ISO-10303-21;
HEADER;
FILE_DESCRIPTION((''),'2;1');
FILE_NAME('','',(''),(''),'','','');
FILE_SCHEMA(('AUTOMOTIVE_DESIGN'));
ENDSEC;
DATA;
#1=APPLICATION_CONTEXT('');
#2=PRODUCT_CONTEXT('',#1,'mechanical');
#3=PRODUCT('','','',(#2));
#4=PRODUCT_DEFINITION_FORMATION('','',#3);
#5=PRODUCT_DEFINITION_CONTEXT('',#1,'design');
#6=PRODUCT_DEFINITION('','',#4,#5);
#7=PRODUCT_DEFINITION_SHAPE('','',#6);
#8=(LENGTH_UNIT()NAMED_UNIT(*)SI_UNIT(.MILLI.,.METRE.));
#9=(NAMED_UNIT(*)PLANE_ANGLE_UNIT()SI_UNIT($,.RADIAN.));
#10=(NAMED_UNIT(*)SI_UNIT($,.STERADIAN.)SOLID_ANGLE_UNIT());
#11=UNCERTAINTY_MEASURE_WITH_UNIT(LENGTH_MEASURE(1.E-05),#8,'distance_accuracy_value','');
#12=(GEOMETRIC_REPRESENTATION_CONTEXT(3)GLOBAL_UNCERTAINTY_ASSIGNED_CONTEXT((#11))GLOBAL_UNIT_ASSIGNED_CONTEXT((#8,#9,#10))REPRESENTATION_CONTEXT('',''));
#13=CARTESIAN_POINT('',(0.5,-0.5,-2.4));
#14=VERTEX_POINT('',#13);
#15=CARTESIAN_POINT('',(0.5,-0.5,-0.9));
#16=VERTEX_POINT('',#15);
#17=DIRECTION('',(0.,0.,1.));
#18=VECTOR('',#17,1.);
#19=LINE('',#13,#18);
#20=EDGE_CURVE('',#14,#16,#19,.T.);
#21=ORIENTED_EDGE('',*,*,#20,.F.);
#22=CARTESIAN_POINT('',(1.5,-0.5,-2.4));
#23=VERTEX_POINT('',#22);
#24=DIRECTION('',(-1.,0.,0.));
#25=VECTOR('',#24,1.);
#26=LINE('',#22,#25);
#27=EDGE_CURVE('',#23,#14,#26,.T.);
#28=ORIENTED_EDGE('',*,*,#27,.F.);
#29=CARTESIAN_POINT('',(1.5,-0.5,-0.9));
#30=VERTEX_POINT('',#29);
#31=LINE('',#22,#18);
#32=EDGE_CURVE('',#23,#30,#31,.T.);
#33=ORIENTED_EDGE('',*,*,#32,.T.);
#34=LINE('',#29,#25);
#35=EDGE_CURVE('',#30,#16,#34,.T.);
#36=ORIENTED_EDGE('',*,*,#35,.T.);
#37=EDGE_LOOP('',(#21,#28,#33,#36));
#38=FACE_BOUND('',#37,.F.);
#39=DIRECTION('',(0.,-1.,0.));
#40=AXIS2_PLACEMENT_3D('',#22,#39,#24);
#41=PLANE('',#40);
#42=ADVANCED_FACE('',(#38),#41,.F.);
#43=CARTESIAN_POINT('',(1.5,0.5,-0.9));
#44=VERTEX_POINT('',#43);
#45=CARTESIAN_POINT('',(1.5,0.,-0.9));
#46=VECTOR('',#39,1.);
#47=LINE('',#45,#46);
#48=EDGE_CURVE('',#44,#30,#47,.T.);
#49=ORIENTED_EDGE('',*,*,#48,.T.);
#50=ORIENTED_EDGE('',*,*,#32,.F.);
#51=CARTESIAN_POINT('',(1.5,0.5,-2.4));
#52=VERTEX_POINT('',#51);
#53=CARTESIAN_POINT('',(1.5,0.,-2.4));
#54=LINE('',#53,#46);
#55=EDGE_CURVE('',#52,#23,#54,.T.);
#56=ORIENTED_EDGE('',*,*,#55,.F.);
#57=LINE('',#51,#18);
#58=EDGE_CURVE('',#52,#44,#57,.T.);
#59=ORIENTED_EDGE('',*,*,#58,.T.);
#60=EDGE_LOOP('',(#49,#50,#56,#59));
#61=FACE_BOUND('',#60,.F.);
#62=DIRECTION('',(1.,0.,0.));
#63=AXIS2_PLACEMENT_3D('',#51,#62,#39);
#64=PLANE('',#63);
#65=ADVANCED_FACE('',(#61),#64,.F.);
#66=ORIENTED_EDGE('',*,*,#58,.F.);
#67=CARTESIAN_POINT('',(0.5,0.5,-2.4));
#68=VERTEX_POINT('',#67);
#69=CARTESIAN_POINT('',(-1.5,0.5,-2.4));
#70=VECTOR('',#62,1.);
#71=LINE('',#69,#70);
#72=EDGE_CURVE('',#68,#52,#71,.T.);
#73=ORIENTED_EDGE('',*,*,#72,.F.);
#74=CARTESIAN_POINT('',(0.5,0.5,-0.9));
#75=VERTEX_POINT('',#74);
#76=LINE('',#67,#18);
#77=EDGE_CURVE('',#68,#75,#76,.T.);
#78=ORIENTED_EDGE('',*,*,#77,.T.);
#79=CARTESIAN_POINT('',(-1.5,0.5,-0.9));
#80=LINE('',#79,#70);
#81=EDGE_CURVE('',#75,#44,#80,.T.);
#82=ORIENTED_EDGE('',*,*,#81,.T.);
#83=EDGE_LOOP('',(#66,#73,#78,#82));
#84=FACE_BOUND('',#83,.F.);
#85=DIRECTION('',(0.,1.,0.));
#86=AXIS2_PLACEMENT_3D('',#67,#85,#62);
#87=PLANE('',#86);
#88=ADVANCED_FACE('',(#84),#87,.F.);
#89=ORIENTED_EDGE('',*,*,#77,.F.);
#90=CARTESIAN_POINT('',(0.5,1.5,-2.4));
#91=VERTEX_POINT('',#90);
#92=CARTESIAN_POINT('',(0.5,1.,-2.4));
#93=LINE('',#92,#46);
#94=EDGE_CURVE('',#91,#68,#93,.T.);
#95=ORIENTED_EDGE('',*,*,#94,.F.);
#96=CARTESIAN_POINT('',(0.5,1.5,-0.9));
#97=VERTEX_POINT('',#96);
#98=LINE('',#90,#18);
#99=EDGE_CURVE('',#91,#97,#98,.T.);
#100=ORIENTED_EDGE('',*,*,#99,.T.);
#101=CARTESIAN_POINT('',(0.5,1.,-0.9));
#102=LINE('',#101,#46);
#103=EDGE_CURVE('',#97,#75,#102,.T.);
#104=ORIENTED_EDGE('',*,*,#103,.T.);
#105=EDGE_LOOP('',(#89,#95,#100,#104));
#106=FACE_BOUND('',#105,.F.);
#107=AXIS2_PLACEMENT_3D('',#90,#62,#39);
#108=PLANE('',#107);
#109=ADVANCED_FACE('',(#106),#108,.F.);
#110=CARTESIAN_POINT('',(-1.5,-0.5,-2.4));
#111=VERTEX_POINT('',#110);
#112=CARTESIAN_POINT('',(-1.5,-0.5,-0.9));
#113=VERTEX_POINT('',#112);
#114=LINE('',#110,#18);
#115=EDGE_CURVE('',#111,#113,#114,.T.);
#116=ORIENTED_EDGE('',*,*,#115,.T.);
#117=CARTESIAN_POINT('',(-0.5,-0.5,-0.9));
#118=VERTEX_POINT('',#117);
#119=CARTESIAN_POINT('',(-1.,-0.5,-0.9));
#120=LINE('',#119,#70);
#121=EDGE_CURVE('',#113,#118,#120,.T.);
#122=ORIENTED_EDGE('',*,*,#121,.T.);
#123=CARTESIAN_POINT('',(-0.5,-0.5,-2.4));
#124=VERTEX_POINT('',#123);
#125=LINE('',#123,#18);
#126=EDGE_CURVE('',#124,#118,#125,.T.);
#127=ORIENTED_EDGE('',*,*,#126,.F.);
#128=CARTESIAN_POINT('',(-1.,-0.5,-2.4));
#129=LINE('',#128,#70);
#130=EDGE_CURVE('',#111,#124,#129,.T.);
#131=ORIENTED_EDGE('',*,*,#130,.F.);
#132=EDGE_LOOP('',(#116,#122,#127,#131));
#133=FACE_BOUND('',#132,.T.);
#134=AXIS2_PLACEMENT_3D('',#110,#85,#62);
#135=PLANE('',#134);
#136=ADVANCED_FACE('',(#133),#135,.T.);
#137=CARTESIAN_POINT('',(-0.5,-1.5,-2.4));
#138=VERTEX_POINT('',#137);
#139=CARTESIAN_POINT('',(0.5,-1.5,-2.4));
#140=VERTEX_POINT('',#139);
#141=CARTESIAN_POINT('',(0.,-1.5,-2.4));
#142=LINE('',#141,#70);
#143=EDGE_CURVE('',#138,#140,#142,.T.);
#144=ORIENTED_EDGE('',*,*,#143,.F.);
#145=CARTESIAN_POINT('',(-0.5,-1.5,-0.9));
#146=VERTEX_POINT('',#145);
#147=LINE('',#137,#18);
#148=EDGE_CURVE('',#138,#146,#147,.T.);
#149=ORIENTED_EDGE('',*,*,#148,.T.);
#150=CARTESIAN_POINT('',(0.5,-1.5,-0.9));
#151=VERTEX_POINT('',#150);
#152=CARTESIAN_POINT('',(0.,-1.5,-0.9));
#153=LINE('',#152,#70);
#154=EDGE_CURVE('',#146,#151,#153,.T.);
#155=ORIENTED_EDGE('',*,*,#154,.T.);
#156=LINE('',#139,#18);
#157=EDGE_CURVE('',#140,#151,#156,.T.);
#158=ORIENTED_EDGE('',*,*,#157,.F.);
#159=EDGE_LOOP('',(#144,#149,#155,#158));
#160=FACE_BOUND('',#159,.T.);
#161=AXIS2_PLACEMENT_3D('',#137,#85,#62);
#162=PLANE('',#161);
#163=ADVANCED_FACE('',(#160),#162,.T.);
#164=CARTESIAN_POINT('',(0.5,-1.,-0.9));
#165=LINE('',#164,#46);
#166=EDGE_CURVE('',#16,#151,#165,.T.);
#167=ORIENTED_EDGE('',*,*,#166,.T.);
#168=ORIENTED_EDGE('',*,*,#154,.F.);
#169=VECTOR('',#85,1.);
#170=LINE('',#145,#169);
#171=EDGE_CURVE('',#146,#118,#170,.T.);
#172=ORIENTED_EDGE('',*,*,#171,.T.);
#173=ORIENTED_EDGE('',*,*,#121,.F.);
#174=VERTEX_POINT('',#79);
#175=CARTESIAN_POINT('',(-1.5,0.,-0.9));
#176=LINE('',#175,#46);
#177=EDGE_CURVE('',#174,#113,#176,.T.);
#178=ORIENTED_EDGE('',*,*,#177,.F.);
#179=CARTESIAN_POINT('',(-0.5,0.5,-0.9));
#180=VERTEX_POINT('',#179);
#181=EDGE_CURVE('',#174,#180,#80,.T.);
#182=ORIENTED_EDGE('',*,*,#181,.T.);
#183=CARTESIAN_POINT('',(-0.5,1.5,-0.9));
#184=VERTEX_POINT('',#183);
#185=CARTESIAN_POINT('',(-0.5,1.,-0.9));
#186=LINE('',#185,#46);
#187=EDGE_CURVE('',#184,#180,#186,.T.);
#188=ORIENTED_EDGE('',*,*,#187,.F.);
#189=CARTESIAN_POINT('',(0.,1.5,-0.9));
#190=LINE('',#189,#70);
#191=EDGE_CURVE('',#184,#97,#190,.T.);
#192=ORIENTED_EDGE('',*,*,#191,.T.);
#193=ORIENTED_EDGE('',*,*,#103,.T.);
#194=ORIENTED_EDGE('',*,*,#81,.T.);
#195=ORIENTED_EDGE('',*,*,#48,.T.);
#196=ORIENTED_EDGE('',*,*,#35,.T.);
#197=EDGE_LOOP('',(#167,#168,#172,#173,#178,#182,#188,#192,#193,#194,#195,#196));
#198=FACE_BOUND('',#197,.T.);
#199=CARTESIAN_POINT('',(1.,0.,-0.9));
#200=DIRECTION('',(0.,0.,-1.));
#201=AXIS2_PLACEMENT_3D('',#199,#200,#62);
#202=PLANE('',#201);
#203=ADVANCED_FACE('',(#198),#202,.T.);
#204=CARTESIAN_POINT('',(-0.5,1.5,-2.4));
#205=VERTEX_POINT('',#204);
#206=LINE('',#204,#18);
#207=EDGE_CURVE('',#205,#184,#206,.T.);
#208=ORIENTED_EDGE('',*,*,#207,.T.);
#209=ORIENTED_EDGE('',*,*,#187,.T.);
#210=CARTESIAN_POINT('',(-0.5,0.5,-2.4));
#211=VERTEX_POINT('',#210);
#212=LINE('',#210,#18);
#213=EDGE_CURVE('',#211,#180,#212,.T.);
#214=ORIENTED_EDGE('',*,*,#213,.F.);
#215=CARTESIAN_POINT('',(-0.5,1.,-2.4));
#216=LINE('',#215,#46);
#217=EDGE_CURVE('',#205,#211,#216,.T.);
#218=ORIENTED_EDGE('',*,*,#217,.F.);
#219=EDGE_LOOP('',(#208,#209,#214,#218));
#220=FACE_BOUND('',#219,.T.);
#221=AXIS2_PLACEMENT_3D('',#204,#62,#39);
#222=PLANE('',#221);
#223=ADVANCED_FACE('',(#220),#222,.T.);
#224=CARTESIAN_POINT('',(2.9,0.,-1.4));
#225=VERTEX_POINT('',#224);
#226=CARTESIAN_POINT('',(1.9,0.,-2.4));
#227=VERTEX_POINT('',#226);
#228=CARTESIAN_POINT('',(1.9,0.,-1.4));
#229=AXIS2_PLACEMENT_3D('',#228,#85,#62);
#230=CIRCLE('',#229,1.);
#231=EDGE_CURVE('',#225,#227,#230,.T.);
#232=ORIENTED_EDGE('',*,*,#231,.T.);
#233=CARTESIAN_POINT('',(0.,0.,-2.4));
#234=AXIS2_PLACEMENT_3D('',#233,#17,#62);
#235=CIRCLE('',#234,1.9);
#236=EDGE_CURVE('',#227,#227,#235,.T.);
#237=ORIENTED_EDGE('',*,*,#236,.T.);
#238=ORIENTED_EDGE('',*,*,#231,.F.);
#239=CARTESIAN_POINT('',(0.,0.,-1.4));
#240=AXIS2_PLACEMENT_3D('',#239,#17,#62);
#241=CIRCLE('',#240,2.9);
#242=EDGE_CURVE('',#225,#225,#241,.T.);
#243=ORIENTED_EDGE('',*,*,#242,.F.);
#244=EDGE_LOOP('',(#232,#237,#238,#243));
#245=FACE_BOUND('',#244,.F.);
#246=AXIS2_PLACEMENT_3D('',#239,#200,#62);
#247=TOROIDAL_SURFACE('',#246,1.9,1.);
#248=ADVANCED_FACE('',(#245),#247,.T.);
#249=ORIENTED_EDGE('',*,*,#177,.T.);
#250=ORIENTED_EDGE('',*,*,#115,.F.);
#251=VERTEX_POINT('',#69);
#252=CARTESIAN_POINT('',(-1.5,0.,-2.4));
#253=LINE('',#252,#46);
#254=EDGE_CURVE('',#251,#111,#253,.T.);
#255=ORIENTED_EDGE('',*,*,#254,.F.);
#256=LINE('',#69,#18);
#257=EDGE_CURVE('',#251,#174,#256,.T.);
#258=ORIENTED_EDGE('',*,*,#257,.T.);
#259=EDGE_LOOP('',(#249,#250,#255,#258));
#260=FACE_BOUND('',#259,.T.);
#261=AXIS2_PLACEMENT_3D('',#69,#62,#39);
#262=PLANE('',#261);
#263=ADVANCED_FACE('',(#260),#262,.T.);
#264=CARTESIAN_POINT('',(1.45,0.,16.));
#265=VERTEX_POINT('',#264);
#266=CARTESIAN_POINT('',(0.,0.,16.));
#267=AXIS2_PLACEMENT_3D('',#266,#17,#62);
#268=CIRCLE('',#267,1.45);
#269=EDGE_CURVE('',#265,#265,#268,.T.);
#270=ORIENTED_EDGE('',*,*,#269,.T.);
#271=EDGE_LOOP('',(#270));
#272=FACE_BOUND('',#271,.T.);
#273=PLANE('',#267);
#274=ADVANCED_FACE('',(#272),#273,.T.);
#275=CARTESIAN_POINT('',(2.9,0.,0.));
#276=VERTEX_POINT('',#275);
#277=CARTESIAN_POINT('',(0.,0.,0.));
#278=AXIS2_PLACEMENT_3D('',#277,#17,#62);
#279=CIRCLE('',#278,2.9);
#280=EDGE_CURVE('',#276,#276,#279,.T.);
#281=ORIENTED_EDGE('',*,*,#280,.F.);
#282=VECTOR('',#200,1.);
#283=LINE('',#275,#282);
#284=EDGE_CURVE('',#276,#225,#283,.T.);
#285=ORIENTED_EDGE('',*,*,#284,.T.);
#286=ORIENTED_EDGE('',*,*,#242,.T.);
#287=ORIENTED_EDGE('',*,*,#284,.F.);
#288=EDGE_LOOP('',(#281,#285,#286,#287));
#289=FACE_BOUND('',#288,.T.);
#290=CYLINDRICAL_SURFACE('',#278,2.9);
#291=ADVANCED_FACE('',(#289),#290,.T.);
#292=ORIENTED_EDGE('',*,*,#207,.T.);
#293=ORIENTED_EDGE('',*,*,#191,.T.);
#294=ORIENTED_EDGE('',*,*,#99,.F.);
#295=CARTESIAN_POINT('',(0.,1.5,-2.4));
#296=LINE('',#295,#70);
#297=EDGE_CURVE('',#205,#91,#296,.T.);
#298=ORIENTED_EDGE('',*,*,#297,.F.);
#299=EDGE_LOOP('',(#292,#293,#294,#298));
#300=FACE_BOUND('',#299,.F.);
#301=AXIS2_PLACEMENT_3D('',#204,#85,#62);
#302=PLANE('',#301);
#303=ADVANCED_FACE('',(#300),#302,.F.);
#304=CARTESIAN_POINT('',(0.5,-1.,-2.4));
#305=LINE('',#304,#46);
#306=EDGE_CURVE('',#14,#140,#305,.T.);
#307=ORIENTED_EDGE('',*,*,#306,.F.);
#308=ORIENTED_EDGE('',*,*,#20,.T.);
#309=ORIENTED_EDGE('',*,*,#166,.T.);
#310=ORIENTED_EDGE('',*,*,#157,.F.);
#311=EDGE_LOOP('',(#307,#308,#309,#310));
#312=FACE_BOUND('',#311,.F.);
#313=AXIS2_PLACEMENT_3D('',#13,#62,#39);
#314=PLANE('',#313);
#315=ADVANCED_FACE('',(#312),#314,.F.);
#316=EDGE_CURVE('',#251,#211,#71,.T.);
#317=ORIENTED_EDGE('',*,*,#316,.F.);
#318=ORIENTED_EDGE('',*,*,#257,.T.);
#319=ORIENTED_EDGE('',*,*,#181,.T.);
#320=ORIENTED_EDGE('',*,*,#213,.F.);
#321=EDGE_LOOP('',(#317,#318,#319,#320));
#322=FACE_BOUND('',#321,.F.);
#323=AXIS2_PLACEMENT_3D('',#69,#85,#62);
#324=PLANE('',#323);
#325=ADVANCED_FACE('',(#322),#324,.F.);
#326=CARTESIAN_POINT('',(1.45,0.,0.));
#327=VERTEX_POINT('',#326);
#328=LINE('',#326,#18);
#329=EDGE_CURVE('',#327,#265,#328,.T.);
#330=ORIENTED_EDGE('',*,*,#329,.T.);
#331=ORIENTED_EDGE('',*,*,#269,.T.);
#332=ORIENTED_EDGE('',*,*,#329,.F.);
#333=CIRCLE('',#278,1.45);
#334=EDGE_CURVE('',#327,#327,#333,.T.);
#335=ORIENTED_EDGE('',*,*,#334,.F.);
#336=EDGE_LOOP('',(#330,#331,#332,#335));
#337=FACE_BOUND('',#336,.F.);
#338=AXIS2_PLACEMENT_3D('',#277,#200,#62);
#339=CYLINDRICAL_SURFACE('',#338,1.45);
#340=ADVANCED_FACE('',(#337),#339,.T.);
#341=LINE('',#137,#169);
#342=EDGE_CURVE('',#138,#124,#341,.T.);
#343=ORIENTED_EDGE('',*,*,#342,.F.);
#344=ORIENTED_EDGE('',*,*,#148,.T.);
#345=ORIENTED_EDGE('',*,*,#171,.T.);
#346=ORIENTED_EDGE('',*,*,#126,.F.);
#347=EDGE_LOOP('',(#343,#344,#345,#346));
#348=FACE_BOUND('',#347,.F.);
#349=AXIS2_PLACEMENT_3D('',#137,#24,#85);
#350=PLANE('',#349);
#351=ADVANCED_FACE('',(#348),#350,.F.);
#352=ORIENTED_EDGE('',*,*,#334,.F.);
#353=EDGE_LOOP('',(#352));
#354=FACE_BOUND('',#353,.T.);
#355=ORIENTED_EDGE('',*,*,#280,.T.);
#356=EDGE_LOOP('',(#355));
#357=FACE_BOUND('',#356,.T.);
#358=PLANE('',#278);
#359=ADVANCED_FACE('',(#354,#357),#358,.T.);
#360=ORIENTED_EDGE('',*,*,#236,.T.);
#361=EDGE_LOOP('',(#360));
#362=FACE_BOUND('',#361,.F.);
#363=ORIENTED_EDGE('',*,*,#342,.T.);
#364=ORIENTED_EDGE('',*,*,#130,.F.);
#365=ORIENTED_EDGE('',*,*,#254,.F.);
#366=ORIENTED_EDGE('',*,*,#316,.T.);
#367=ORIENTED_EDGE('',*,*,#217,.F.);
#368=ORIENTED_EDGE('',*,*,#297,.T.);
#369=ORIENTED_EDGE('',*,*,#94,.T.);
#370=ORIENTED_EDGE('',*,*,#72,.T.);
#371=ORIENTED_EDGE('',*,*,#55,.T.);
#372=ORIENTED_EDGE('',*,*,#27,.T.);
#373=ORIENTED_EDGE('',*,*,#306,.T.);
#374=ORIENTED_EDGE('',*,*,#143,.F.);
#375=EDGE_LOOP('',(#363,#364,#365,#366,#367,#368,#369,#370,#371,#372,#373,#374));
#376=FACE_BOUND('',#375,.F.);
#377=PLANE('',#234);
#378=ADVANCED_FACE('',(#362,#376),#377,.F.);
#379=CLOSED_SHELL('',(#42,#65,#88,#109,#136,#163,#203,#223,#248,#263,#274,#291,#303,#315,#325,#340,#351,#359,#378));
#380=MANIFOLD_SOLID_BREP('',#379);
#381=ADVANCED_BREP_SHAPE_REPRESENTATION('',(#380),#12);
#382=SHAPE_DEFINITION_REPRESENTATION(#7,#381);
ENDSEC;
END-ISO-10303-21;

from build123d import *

# Parameters (mm, degrees)
F0_R     = 1.45
F1_DEPTH = 16
F2_R     = 2.9
F3_DEPTH = 2.4
F4_R     = 1
F5_W     = 1
F5_H     = 1
F6_DEPTH = 1.5


with BuildPart() as f1:
    # F0 (on Top) → F1 (new body)
    with BuildSketch(Plane.XY):
        Circle(F0_R)
    extrude(amount=F1_DEPTH)

    # F2 (on Top) → F3 (join)
    with BuildSketch(Plane.XY):
        Circle(F2_R)
    extrude(amount=-F3_DEPTH)

    # F4
    f4_edges = [f1.edges().sort_by_distance(p)[0] for p in [
        (-2.9, 0, -2.4),
    ]]
    fillet(f4_edges, radius=F4_R)

    # F5 (on face) → F6 (cut)
    with BuildSketch(Plane(origin=(0, 0, -2.4), x_dir=(1, 0, 0), z_dir=(0, 0, -1))):
        with Locations((1, 0)):
            Rectangle(F5_W, F5_H)
        Rectangle(F5_W, F5_H)
        with Locations((0, 1)):
            Rectangle(F5_W, F5_H)
        with Locations((-1, 0)):
            Rectangle(F5_W, F5_H)
        with Locations((0, -1)):
            Rectangle(F5_W, F5_H)
    extrude(amount=-F6_DEPTH, mode=Mode.SUBTRACT)


solid = f1.part
